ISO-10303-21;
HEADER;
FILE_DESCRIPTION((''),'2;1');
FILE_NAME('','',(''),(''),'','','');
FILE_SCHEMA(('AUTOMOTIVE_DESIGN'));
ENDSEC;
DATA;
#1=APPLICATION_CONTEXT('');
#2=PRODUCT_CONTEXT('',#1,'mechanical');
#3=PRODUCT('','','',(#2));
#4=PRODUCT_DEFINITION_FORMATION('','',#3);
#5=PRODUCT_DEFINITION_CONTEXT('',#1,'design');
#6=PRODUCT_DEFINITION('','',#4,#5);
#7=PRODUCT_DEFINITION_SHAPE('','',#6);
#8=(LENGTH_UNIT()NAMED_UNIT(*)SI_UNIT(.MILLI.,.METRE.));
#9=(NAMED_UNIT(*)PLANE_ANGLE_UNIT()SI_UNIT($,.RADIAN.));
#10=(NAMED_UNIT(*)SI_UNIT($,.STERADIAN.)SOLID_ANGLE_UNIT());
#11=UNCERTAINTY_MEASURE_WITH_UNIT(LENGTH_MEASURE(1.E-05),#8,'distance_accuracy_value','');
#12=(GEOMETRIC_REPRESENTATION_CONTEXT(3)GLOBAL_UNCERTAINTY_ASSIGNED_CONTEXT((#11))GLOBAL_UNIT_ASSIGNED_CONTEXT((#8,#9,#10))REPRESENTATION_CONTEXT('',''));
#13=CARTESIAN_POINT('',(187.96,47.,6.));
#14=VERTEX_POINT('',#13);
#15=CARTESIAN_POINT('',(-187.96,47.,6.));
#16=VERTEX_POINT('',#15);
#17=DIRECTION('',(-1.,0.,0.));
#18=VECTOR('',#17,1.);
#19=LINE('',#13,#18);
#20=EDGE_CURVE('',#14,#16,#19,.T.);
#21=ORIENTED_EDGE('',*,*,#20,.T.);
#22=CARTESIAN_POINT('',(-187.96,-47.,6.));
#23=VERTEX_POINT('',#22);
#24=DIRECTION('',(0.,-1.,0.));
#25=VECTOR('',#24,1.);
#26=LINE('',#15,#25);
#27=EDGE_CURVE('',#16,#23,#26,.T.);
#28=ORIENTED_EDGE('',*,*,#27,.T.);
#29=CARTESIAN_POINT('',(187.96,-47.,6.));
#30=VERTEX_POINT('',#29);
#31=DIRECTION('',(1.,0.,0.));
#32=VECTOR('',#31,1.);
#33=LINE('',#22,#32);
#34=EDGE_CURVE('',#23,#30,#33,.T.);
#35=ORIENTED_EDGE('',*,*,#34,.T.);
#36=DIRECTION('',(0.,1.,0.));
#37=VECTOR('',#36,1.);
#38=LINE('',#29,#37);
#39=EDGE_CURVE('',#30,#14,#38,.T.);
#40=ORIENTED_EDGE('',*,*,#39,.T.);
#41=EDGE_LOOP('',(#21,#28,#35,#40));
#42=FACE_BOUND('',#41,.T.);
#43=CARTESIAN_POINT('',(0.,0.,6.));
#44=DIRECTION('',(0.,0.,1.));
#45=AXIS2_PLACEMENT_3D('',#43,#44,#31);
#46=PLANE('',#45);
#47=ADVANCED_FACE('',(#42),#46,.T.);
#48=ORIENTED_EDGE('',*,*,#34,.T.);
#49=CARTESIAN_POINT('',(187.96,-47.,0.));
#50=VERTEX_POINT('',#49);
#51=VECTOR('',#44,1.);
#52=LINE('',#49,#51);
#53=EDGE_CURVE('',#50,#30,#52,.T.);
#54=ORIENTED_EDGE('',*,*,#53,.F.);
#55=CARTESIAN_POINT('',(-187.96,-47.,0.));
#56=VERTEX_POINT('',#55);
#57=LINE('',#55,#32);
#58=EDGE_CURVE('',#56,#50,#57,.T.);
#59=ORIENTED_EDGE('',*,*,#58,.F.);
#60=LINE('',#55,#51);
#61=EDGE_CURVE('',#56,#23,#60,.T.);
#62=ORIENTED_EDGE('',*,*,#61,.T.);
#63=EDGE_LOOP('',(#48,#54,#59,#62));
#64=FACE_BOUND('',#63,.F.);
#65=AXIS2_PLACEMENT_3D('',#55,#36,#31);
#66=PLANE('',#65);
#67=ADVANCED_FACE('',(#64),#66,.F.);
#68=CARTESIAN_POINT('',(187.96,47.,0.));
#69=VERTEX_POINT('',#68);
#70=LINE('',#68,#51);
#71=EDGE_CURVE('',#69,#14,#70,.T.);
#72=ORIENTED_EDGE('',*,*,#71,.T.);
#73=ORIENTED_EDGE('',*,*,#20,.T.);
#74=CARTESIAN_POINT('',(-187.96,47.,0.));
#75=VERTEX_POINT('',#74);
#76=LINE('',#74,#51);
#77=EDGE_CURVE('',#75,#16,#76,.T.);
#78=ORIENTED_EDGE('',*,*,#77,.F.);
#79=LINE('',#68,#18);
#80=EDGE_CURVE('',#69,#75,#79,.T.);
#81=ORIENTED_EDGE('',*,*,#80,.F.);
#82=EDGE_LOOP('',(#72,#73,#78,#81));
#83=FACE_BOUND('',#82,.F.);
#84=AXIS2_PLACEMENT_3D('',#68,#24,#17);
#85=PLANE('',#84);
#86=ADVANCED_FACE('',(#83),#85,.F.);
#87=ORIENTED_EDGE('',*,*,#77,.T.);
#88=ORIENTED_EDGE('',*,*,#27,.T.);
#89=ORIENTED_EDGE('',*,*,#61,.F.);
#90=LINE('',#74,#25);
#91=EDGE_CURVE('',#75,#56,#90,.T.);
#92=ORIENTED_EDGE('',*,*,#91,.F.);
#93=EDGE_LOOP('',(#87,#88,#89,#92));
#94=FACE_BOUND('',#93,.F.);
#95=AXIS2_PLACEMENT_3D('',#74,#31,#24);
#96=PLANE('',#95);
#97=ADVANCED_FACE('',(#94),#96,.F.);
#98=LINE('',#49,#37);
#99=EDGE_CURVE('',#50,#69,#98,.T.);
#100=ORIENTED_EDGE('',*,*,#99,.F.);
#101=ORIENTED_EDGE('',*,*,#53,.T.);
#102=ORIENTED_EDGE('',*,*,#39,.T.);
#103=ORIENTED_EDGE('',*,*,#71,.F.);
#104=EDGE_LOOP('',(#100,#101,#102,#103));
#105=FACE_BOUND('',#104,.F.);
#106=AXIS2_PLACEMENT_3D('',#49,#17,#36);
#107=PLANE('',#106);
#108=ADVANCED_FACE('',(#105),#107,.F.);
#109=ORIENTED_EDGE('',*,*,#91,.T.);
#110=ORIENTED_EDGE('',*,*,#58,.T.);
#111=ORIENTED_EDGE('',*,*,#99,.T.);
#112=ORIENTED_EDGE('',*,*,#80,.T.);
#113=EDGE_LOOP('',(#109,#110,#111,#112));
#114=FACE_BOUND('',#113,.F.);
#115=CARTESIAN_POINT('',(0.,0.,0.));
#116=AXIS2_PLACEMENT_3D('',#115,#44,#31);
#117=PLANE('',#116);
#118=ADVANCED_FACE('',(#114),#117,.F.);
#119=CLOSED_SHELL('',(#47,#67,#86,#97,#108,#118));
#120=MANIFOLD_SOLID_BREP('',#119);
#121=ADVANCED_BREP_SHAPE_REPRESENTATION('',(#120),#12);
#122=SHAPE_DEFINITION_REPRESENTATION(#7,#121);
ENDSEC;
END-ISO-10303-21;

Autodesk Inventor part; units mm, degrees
ref_plane "YZ Plane" through (0, 0, 0) normal (1, 0, 0) x (0, 1, 0)
ref_plane "XZ Plane" through (0, 0, 0) normal (0, 1, 0) x (-1, 0, 0)
ref_plane "XY Plane" through (0, 0, 0) normal (0, 0, 1) x (1, 0, 0)
sketch "Sketch1" plane through (0, 0, 0) normal (0, 0, 1) x (1, 0, 0)
  line L0 (-187.96, -47) -> (187.96, -47)
  line L1 (187.96, -47) -> (187.96, 47)
  line L2 (187.96, 47) -> (-187.96, 47)
  line L3 (-187.96, 47) -> (-187.96, -47)
  line L4 (-187.96, -47) -> (187.96, 47) construction
  line L5 (187.96, -47) -> (-187.96, 47) construction
  point P0 (0, 0)
  dimension "d0" = 375.92
  dimension "d1" = 94
extrude "Extrusion2" add sketch "Sketch1" along normal blind 6
properties part number "front back" material "Aluminum 6061"
